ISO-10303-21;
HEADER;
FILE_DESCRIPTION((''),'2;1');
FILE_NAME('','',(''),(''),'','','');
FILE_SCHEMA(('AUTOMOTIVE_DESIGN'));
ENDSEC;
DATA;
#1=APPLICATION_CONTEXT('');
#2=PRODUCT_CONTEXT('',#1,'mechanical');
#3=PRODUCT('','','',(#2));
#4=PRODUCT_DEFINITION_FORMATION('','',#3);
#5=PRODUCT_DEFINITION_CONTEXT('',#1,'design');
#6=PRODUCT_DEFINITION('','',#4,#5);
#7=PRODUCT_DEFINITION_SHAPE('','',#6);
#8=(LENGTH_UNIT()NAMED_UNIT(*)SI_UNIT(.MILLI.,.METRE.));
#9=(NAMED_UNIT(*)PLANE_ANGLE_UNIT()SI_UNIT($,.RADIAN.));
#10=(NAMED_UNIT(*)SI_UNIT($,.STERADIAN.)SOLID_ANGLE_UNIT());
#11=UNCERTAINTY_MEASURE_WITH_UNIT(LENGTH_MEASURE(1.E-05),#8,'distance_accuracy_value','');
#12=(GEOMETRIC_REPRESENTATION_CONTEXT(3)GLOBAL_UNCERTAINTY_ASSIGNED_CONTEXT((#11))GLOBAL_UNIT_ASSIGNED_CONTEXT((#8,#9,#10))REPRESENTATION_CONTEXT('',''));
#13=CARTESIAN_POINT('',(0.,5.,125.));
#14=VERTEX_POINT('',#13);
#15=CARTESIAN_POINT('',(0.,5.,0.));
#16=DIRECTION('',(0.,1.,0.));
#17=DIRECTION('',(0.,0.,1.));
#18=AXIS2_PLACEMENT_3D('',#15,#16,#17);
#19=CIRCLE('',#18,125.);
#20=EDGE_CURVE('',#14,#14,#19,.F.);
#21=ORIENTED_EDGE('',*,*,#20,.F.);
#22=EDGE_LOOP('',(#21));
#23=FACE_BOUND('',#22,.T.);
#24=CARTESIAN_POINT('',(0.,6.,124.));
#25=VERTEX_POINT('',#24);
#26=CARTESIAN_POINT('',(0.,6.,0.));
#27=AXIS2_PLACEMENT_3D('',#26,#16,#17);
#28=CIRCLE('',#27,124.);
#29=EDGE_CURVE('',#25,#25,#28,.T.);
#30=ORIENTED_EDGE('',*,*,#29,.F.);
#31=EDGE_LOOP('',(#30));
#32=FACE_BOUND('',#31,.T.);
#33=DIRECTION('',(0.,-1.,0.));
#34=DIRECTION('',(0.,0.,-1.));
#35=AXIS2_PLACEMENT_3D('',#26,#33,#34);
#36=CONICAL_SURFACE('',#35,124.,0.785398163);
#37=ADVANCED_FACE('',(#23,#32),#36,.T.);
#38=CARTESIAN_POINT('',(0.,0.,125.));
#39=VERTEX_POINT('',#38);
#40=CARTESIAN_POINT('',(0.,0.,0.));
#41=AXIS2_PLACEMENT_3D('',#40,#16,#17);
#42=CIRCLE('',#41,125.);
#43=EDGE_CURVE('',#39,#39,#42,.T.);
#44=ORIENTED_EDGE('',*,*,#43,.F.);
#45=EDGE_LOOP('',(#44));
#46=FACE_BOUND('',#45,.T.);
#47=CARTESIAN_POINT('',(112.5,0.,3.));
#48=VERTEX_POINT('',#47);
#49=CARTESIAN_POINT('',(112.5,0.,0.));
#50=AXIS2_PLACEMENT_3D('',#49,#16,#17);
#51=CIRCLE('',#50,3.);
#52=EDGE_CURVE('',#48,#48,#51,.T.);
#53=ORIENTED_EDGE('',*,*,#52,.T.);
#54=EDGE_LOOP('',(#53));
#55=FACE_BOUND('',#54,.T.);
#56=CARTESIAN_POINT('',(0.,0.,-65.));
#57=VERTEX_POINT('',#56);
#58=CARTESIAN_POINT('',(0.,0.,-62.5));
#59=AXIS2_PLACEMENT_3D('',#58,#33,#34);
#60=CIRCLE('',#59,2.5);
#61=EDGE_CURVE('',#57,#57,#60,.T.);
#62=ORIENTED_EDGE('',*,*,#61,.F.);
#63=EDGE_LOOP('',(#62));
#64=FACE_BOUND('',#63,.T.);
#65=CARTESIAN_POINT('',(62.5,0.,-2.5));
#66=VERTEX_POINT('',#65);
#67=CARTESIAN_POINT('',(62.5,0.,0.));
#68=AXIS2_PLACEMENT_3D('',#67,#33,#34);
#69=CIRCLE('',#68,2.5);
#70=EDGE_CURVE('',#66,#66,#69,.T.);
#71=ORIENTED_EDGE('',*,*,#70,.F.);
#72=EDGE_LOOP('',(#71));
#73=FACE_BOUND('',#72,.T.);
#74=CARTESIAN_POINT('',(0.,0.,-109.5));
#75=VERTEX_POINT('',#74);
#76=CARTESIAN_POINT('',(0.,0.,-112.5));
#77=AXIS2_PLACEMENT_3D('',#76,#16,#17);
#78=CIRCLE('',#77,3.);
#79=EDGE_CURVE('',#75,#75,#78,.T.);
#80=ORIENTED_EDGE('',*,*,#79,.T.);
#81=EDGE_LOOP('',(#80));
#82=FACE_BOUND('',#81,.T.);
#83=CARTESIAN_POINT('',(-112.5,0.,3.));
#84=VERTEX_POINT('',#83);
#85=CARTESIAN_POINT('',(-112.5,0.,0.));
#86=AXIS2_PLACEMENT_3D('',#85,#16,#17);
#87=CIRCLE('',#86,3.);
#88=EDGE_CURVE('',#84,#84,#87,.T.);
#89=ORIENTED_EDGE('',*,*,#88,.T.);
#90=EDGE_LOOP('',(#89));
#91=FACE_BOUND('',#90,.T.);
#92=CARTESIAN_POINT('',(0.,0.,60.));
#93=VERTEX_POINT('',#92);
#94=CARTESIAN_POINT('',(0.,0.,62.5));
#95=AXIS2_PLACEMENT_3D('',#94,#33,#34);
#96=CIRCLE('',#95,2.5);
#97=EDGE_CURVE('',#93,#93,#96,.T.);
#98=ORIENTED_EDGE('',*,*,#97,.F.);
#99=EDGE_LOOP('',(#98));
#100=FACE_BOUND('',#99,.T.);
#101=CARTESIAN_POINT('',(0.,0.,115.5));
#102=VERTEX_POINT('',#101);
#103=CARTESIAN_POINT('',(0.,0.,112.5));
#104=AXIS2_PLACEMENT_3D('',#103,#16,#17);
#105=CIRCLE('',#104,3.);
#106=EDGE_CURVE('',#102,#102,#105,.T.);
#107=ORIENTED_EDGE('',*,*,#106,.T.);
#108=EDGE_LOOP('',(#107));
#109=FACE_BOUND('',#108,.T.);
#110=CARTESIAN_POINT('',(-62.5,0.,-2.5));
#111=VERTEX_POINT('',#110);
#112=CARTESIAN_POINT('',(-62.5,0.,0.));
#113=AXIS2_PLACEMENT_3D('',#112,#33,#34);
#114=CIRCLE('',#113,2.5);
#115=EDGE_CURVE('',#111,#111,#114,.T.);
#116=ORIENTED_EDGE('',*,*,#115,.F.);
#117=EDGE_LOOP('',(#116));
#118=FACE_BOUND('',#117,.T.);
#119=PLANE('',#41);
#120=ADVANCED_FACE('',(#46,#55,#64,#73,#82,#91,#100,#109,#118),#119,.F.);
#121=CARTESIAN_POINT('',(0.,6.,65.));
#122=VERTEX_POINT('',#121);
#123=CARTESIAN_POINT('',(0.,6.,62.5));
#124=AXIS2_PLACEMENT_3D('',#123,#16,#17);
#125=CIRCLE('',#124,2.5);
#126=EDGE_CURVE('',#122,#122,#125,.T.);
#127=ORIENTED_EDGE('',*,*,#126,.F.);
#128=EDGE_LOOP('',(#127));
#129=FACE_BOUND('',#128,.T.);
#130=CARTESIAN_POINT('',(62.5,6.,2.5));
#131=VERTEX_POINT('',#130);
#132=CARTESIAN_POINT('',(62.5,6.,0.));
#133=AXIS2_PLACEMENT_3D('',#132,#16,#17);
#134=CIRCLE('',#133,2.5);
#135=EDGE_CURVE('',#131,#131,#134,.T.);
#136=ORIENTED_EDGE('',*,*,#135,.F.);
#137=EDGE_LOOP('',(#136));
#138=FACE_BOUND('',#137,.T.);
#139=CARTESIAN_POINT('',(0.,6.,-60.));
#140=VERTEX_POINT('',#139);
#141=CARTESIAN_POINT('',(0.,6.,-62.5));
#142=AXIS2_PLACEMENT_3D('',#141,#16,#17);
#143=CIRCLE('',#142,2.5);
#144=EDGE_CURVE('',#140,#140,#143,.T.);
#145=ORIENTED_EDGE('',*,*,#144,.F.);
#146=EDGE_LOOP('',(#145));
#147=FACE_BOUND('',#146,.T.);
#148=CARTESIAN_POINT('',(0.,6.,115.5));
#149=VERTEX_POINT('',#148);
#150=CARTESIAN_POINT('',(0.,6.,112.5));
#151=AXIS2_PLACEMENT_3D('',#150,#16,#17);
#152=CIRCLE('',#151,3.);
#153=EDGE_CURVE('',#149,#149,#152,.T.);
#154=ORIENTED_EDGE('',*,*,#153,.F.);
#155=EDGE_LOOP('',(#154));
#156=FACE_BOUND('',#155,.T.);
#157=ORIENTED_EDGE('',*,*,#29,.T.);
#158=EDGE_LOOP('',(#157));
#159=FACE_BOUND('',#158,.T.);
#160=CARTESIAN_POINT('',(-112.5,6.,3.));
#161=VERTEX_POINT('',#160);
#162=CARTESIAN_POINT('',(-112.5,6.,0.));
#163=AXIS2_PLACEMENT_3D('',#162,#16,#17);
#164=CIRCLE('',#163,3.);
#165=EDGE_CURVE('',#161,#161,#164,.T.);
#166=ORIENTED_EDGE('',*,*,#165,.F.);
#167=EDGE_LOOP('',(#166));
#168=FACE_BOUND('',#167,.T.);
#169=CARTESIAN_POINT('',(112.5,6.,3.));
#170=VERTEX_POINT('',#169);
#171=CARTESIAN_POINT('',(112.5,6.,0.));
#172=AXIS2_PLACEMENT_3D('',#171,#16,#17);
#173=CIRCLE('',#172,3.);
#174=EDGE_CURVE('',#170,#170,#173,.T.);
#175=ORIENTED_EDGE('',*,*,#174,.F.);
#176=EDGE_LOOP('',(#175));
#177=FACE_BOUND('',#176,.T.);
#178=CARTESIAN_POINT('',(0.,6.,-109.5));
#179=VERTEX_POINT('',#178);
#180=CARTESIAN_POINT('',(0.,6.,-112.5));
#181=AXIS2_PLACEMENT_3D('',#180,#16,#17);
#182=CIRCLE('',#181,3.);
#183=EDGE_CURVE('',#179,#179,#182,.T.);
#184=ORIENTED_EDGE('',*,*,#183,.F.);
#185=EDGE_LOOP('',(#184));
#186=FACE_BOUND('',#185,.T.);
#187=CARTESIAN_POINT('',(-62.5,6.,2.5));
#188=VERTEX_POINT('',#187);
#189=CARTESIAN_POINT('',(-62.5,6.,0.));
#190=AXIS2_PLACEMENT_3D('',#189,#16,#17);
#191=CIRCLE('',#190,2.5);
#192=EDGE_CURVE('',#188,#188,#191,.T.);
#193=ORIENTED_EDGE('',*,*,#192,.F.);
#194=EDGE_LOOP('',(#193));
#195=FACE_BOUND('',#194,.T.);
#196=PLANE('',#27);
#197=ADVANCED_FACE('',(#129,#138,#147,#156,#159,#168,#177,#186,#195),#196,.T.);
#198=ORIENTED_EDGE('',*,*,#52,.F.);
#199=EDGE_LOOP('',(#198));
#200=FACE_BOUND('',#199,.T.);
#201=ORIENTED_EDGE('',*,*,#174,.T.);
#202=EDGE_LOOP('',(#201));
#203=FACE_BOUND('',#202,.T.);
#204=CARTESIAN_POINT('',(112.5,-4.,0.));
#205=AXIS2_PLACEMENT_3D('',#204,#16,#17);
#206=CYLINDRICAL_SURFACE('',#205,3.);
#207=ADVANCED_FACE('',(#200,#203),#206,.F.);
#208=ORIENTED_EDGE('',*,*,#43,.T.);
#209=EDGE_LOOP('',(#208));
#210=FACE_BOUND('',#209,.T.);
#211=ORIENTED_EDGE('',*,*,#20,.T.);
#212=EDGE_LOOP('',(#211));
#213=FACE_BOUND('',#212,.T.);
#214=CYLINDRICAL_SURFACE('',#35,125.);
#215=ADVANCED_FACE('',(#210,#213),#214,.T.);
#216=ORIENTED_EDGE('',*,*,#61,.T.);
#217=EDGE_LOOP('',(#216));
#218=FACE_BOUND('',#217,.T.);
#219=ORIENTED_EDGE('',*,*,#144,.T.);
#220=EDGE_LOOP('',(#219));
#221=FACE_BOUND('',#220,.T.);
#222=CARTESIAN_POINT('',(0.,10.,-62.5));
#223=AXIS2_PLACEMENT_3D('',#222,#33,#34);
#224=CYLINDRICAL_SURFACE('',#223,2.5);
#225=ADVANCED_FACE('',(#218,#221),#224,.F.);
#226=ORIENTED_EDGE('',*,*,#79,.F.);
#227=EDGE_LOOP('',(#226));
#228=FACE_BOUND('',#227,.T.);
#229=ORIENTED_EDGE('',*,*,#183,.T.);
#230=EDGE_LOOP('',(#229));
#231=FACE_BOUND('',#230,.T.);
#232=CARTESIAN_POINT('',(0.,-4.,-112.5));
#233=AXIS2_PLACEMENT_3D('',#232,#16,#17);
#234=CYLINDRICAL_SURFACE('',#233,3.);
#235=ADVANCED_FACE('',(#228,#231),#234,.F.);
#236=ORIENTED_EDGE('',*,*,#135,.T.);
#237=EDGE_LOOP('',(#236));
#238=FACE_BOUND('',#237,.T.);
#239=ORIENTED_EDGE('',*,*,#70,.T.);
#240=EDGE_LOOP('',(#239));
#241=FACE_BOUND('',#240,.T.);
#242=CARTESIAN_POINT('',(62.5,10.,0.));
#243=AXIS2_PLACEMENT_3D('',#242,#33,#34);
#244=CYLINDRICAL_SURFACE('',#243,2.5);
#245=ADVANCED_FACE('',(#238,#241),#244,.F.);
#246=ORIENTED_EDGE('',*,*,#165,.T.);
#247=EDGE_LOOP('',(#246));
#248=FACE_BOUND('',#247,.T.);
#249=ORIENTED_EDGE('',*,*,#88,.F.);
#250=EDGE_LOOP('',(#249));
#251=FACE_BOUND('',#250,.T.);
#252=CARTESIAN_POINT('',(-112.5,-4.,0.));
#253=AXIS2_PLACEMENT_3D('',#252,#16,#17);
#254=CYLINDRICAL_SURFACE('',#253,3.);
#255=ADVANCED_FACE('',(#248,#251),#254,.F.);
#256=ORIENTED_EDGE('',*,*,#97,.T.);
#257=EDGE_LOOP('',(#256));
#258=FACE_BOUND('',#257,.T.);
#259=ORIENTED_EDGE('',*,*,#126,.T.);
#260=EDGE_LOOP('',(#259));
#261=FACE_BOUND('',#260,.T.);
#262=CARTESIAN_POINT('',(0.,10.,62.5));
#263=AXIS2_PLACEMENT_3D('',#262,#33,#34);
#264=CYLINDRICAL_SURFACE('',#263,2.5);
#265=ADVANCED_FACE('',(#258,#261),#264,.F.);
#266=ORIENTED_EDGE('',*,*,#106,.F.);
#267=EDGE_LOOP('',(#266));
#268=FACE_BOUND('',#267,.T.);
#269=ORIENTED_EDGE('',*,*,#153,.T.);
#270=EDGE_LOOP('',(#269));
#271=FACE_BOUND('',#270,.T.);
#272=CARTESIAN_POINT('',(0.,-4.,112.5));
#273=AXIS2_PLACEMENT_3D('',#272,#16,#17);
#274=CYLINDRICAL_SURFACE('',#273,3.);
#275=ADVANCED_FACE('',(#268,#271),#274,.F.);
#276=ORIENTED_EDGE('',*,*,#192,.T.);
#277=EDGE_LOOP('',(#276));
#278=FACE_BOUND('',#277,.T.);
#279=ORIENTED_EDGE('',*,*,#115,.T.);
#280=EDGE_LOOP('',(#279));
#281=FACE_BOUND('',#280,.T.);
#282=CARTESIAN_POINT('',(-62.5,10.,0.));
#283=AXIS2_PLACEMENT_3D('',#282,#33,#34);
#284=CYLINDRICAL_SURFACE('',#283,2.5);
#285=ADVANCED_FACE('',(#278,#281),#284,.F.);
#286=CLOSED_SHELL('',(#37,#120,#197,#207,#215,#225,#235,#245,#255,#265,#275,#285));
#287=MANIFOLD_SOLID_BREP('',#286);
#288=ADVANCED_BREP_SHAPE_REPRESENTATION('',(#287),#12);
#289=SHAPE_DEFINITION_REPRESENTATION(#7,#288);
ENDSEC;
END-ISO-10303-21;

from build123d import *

# Parameters (mm, degrees)
SKETCH_1_R          = 125
EXTRUDE_1_DEPTH     = 6
SKETCH_3_R          = 3
CUT_EXTRUDE_2_DEPTH = 10
SKETCH_4_R          = 2.5
CUT_EXTRUDE_3_DEPTH = 10
CHAMFER_1_SIZE      = 1


with BuildPart() as part:
    # Эскиз1 → Бобышка-Вытянуть1 (new body)
    with BuildSketch(Plane(origin=(0, 0, 0), x_dir=(1, 0, 0), z_dir=(0, 1, 0))):
        with Locations(Location((0, 0, 0), (0, 0, 270))):
            Circle(SKETCH_1_R)
    extrude(amount=EXTRUDE_1_DEPTH)

    # Эскиз3 → Вырез-Вытянуть2 (cut)
    with BuildSketch(Plane(origin=(0, 6, 0), x_dir=(1, 0, 0), z_dir=(0, 1, 0))):
        with Locations(Location((0, 112.5, 0), (0, 0, 270))):
            Circle(SKETCH_3_R)
        with Locations(Location((-112.5, 0, 0), (0, 0, 270))):
            Circle(SKETCH_3_R)
        with Locations(Location((0, -112.5, 0), (0, 0, 270))):
            Circle(SKETCH_3_R)
        with Locations(Location((112.5, 0, 0), (0, 0, 270))):
            Circle(SKETCH_3_R)
    extrude(amount=-CUT_EXTRUDE_2_DEPTH, mode=Mode.SUBTRACT)

    # Эскиз4 → Вырез-Вытянуть3 (cut)
    with BuildSketch(Plane.XZ):
        with Locations(Location((0, 62.5, 0), (0, 0, 270))):
            Circle(SKETCH_4_R)
        with Locations(Location((0, -62.5, 0), (0, 0, 270))):
            Circle(SKETCH_4_R)
        with Locations(Location((62.5, 0, 0), (0, 0, 270))):
            Circle(SKETCH_4_R)
        with Locations(Location((-62.5, 0, 0), (0, 0, 270))):
            Circle(SKETCH_4_R)
    extrude(amount=-CUT_EXTRUDE_3_DEPTH, mode=Mode.SUBTRACT)

    # Фаска1
    chamfer_1_edges = [part.edges().sort_by_distance(p)[0] for p in [
        (0, 6, -125),
    ]]
    chamfer(chamfer_1_edges, length=CHAMFER_1_SIZE)


solid = part.part
